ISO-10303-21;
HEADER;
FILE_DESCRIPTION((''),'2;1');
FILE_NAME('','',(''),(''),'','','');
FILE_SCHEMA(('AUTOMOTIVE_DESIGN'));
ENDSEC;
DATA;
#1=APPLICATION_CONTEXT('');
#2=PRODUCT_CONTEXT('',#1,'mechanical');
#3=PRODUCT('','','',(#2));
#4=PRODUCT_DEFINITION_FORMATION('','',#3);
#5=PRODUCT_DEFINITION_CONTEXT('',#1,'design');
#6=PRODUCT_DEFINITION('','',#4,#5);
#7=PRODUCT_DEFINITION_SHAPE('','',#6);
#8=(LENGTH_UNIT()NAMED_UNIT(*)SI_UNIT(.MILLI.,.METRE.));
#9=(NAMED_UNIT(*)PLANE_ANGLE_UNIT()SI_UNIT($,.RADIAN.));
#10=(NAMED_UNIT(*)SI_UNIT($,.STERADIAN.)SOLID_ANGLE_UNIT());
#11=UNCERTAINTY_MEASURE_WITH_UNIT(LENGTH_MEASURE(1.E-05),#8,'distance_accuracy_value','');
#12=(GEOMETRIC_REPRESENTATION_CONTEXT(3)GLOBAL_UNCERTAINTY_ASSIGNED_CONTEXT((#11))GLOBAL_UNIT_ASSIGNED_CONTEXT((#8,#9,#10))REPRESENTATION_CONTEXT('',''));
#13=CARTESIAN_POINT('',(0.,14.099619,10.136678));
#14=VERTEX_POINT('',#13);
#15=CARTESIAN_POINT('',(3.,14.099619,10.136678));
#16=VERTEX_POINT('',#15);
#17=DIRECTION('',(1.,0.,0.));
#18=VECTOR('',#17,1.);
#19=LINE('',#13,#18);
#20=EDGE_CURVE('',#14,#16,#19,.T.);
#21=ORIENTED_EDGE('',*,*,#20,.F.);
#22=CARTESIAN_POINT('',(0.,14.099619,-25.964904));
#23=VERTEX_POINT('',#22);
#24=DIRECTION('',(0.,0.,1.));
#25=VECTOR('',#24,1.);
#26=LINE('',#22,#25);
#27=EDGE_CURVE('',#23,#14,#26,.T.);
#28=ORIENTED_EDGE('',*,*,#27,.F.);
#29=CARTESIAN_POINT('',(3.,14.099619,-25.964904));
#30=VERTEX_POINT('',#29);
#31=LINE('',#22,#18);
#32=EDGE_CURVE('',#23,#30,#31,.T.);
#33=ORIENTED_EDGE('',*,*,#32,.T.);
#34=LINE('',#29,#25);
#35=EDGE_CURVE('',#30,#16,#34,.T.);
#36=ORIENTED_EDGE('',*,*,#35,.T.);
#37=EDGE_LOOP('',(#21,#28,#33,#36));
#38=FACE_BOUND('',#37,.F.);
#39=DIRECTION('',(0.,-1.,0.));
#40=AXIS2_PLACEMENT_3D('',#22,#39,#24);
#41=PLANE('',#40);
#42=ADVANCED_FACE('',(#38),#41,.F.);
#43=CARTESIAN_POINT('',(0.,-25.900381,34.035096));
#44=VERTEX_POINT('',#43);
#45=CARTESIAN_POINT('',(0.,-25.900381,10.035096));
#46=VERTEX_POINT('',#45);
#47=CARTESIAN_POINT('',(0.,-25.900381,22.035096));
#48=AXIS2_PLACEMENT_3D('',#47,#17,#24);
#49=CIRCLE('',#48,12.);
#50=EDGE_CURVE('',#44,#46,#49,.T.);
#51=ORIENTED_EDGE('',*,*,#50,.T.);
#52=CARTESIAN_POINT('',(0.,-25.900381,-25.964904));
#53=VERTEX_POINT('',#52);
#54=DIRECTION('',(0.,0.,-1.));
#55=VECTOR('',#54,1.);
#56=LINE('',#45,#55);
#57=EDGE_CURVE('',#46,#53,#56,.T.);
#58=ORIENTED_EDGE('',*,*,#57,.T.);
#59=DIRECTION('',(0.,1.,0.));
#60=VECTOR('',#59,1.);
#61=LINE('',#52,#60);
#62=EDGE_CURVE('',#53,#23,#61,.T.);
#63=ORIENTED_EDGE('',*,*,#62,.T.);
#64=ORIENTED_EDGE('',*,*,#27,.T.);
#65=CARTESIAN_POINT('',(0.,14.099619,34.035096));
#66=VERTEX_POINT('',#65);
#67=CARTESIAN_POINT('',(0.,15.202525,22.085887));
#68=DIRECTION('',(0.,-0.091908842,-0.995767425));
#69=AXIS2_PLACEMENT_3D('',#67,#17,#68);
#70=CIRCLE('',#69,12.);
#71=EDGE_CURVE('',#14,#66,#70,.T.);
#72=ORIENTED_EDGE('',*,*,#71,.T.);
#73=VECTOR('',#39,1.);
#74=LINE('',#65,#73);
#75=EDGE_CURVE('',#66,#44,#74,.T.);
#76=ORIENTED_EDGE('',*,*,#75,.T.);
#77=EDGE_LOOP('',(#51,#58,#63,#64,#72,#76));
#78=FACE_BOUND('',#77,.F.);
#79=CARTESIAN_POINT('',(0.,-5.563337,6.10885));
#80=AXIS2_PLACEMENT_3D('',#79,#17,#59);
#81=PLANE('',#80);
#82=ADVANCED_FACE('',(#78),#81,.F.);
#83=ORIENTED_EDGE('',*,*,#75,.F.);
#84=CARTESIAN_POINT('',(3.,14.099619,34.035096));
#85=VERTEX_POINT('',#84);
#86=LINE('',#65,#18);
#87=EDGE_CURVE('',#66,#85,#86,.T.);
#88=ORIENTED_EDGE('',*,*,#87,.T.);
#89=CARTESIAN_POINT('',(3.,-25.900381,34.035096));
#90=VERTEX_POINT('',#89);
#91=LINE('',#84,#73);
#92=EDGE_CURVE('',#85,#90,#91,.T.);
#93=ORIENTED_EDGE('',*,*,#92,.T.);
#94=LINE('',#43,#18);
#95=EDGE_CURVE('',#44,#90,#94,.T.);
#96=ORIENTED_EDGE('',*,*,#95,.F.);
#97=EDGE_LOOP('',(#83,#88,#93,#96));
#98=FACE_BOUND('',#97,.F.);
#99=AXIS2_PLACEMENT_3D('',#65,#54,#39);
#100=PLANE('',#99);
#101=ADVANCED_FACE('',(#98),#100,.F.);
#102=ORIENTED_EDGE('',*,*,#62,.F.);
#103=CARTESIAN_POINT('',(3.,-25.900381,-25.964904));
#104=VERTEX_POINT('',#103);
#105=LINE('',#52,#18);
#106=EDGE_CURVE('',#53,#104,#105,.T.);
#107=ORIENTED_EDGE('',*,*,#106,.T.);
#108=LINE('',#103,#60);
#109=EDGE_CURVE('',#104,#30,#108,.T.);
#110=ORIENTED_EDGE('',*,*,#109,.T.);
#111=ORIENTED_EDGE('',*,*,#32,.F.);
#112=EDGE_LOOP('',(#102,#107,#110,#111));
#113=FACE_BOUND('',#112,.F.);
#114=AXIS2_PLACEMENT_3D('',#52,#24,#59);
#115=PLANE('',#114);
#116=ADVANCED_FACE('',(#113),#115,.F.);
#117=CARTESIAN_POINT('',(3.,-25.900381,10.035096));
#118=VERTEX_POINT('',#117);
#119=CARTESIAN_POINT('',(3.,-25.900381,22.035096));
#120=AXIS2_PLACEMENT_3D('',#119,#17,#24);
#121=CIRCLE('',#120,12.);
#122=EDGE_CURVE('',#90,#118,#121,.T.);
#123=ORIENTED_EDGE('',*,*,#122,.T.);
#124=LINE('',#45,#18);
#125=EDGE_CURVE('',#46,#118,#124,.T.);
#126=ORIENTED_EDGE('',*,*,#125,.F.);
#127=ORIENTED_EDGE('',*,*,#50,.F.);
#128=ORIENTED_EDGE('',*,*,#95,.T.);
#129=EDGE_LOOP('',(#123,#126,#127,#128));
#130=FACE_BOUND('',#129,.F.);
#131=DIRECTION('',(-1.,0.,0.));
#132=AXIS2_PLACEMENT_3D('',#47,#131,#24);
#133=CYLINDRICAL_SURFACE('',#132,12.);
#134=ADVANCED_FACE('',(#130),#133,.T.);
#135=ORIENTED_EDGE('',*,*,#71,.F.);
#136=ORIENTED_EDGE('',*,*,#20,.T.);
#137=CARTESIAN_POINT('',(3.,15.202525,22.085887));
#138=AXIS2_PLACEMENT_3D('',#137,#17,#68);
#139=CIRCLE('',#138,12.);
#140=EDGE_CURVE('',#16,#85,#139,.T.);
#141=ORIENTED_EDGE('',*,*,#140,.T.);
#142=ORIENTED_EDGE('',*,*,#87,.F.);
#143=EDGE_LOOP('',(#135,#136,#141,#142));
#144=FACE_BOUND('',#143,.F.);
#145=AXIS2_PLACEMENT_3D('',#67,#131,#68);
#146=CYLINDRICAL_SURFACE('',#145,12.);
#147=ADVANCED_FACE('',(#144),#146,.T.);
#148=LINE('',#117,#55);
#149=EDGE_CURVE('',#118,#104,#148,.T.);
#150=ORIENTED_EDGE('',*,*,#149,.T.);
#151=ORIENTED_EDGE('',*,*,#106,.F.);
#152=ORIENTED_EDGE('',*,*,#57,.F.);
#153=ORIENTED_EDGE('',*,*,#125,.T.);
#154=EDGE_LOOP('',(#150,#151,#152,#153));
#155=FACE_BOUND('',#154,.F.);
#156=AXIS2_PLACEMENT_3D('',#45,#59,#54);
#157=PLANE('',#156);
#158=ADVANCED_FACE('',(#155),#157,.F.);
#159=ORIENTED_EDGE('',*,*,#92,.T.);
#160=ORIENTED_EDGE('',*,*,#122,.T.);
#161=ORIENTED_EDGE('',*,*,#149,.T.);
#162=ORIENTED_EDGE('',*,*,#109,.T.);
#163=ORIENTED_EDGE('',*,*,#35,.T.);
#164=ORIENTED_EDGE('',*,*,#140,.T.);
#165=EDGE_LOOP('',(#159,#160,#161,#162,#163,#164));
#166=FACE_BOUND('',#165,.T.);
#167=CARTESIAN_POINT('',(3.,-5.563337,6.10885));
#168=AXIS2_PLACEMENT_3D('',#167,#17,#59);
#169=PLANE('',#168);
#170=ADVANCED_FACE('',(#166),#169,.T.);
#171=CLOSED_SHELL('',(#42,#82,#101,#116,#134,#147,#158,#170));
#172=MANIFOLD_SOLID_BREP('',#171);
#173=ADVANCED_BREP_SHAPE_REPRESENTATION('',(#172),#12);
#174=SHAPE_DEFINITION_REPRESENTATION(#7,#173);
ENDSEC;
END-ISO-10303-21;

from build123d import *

# Parameters (mm, degrees)
F1_DEPTH = 3


with BuildPart() as f1:
    # F0 (on Right) → F1 (new body)
    with BuildSketch(Plane.YZ):
        with BuildLine():
            ThreePointArc((-25.900381, 34.035096), (-37.900381, 22.035096), (-25.900381, 10.035096))
            Line((-25.900381, 10.035096), (-25.900381, -25.964904))
            Line((-25.900381, -25.964904), (14.099619, -25.964904))
            Line((14.099619, -25.964904), (14.099619, 10.136678))
            ThreePointArc((14.099619, 10.136678), (27.202525, 22.085887), (14.099619, 34.035096))
            Line((14.099619, 34.035096), (-25.900381, 34.035096))
        make_face()
    extrude(amount=F1_DEPTH)


solid = f1.part
